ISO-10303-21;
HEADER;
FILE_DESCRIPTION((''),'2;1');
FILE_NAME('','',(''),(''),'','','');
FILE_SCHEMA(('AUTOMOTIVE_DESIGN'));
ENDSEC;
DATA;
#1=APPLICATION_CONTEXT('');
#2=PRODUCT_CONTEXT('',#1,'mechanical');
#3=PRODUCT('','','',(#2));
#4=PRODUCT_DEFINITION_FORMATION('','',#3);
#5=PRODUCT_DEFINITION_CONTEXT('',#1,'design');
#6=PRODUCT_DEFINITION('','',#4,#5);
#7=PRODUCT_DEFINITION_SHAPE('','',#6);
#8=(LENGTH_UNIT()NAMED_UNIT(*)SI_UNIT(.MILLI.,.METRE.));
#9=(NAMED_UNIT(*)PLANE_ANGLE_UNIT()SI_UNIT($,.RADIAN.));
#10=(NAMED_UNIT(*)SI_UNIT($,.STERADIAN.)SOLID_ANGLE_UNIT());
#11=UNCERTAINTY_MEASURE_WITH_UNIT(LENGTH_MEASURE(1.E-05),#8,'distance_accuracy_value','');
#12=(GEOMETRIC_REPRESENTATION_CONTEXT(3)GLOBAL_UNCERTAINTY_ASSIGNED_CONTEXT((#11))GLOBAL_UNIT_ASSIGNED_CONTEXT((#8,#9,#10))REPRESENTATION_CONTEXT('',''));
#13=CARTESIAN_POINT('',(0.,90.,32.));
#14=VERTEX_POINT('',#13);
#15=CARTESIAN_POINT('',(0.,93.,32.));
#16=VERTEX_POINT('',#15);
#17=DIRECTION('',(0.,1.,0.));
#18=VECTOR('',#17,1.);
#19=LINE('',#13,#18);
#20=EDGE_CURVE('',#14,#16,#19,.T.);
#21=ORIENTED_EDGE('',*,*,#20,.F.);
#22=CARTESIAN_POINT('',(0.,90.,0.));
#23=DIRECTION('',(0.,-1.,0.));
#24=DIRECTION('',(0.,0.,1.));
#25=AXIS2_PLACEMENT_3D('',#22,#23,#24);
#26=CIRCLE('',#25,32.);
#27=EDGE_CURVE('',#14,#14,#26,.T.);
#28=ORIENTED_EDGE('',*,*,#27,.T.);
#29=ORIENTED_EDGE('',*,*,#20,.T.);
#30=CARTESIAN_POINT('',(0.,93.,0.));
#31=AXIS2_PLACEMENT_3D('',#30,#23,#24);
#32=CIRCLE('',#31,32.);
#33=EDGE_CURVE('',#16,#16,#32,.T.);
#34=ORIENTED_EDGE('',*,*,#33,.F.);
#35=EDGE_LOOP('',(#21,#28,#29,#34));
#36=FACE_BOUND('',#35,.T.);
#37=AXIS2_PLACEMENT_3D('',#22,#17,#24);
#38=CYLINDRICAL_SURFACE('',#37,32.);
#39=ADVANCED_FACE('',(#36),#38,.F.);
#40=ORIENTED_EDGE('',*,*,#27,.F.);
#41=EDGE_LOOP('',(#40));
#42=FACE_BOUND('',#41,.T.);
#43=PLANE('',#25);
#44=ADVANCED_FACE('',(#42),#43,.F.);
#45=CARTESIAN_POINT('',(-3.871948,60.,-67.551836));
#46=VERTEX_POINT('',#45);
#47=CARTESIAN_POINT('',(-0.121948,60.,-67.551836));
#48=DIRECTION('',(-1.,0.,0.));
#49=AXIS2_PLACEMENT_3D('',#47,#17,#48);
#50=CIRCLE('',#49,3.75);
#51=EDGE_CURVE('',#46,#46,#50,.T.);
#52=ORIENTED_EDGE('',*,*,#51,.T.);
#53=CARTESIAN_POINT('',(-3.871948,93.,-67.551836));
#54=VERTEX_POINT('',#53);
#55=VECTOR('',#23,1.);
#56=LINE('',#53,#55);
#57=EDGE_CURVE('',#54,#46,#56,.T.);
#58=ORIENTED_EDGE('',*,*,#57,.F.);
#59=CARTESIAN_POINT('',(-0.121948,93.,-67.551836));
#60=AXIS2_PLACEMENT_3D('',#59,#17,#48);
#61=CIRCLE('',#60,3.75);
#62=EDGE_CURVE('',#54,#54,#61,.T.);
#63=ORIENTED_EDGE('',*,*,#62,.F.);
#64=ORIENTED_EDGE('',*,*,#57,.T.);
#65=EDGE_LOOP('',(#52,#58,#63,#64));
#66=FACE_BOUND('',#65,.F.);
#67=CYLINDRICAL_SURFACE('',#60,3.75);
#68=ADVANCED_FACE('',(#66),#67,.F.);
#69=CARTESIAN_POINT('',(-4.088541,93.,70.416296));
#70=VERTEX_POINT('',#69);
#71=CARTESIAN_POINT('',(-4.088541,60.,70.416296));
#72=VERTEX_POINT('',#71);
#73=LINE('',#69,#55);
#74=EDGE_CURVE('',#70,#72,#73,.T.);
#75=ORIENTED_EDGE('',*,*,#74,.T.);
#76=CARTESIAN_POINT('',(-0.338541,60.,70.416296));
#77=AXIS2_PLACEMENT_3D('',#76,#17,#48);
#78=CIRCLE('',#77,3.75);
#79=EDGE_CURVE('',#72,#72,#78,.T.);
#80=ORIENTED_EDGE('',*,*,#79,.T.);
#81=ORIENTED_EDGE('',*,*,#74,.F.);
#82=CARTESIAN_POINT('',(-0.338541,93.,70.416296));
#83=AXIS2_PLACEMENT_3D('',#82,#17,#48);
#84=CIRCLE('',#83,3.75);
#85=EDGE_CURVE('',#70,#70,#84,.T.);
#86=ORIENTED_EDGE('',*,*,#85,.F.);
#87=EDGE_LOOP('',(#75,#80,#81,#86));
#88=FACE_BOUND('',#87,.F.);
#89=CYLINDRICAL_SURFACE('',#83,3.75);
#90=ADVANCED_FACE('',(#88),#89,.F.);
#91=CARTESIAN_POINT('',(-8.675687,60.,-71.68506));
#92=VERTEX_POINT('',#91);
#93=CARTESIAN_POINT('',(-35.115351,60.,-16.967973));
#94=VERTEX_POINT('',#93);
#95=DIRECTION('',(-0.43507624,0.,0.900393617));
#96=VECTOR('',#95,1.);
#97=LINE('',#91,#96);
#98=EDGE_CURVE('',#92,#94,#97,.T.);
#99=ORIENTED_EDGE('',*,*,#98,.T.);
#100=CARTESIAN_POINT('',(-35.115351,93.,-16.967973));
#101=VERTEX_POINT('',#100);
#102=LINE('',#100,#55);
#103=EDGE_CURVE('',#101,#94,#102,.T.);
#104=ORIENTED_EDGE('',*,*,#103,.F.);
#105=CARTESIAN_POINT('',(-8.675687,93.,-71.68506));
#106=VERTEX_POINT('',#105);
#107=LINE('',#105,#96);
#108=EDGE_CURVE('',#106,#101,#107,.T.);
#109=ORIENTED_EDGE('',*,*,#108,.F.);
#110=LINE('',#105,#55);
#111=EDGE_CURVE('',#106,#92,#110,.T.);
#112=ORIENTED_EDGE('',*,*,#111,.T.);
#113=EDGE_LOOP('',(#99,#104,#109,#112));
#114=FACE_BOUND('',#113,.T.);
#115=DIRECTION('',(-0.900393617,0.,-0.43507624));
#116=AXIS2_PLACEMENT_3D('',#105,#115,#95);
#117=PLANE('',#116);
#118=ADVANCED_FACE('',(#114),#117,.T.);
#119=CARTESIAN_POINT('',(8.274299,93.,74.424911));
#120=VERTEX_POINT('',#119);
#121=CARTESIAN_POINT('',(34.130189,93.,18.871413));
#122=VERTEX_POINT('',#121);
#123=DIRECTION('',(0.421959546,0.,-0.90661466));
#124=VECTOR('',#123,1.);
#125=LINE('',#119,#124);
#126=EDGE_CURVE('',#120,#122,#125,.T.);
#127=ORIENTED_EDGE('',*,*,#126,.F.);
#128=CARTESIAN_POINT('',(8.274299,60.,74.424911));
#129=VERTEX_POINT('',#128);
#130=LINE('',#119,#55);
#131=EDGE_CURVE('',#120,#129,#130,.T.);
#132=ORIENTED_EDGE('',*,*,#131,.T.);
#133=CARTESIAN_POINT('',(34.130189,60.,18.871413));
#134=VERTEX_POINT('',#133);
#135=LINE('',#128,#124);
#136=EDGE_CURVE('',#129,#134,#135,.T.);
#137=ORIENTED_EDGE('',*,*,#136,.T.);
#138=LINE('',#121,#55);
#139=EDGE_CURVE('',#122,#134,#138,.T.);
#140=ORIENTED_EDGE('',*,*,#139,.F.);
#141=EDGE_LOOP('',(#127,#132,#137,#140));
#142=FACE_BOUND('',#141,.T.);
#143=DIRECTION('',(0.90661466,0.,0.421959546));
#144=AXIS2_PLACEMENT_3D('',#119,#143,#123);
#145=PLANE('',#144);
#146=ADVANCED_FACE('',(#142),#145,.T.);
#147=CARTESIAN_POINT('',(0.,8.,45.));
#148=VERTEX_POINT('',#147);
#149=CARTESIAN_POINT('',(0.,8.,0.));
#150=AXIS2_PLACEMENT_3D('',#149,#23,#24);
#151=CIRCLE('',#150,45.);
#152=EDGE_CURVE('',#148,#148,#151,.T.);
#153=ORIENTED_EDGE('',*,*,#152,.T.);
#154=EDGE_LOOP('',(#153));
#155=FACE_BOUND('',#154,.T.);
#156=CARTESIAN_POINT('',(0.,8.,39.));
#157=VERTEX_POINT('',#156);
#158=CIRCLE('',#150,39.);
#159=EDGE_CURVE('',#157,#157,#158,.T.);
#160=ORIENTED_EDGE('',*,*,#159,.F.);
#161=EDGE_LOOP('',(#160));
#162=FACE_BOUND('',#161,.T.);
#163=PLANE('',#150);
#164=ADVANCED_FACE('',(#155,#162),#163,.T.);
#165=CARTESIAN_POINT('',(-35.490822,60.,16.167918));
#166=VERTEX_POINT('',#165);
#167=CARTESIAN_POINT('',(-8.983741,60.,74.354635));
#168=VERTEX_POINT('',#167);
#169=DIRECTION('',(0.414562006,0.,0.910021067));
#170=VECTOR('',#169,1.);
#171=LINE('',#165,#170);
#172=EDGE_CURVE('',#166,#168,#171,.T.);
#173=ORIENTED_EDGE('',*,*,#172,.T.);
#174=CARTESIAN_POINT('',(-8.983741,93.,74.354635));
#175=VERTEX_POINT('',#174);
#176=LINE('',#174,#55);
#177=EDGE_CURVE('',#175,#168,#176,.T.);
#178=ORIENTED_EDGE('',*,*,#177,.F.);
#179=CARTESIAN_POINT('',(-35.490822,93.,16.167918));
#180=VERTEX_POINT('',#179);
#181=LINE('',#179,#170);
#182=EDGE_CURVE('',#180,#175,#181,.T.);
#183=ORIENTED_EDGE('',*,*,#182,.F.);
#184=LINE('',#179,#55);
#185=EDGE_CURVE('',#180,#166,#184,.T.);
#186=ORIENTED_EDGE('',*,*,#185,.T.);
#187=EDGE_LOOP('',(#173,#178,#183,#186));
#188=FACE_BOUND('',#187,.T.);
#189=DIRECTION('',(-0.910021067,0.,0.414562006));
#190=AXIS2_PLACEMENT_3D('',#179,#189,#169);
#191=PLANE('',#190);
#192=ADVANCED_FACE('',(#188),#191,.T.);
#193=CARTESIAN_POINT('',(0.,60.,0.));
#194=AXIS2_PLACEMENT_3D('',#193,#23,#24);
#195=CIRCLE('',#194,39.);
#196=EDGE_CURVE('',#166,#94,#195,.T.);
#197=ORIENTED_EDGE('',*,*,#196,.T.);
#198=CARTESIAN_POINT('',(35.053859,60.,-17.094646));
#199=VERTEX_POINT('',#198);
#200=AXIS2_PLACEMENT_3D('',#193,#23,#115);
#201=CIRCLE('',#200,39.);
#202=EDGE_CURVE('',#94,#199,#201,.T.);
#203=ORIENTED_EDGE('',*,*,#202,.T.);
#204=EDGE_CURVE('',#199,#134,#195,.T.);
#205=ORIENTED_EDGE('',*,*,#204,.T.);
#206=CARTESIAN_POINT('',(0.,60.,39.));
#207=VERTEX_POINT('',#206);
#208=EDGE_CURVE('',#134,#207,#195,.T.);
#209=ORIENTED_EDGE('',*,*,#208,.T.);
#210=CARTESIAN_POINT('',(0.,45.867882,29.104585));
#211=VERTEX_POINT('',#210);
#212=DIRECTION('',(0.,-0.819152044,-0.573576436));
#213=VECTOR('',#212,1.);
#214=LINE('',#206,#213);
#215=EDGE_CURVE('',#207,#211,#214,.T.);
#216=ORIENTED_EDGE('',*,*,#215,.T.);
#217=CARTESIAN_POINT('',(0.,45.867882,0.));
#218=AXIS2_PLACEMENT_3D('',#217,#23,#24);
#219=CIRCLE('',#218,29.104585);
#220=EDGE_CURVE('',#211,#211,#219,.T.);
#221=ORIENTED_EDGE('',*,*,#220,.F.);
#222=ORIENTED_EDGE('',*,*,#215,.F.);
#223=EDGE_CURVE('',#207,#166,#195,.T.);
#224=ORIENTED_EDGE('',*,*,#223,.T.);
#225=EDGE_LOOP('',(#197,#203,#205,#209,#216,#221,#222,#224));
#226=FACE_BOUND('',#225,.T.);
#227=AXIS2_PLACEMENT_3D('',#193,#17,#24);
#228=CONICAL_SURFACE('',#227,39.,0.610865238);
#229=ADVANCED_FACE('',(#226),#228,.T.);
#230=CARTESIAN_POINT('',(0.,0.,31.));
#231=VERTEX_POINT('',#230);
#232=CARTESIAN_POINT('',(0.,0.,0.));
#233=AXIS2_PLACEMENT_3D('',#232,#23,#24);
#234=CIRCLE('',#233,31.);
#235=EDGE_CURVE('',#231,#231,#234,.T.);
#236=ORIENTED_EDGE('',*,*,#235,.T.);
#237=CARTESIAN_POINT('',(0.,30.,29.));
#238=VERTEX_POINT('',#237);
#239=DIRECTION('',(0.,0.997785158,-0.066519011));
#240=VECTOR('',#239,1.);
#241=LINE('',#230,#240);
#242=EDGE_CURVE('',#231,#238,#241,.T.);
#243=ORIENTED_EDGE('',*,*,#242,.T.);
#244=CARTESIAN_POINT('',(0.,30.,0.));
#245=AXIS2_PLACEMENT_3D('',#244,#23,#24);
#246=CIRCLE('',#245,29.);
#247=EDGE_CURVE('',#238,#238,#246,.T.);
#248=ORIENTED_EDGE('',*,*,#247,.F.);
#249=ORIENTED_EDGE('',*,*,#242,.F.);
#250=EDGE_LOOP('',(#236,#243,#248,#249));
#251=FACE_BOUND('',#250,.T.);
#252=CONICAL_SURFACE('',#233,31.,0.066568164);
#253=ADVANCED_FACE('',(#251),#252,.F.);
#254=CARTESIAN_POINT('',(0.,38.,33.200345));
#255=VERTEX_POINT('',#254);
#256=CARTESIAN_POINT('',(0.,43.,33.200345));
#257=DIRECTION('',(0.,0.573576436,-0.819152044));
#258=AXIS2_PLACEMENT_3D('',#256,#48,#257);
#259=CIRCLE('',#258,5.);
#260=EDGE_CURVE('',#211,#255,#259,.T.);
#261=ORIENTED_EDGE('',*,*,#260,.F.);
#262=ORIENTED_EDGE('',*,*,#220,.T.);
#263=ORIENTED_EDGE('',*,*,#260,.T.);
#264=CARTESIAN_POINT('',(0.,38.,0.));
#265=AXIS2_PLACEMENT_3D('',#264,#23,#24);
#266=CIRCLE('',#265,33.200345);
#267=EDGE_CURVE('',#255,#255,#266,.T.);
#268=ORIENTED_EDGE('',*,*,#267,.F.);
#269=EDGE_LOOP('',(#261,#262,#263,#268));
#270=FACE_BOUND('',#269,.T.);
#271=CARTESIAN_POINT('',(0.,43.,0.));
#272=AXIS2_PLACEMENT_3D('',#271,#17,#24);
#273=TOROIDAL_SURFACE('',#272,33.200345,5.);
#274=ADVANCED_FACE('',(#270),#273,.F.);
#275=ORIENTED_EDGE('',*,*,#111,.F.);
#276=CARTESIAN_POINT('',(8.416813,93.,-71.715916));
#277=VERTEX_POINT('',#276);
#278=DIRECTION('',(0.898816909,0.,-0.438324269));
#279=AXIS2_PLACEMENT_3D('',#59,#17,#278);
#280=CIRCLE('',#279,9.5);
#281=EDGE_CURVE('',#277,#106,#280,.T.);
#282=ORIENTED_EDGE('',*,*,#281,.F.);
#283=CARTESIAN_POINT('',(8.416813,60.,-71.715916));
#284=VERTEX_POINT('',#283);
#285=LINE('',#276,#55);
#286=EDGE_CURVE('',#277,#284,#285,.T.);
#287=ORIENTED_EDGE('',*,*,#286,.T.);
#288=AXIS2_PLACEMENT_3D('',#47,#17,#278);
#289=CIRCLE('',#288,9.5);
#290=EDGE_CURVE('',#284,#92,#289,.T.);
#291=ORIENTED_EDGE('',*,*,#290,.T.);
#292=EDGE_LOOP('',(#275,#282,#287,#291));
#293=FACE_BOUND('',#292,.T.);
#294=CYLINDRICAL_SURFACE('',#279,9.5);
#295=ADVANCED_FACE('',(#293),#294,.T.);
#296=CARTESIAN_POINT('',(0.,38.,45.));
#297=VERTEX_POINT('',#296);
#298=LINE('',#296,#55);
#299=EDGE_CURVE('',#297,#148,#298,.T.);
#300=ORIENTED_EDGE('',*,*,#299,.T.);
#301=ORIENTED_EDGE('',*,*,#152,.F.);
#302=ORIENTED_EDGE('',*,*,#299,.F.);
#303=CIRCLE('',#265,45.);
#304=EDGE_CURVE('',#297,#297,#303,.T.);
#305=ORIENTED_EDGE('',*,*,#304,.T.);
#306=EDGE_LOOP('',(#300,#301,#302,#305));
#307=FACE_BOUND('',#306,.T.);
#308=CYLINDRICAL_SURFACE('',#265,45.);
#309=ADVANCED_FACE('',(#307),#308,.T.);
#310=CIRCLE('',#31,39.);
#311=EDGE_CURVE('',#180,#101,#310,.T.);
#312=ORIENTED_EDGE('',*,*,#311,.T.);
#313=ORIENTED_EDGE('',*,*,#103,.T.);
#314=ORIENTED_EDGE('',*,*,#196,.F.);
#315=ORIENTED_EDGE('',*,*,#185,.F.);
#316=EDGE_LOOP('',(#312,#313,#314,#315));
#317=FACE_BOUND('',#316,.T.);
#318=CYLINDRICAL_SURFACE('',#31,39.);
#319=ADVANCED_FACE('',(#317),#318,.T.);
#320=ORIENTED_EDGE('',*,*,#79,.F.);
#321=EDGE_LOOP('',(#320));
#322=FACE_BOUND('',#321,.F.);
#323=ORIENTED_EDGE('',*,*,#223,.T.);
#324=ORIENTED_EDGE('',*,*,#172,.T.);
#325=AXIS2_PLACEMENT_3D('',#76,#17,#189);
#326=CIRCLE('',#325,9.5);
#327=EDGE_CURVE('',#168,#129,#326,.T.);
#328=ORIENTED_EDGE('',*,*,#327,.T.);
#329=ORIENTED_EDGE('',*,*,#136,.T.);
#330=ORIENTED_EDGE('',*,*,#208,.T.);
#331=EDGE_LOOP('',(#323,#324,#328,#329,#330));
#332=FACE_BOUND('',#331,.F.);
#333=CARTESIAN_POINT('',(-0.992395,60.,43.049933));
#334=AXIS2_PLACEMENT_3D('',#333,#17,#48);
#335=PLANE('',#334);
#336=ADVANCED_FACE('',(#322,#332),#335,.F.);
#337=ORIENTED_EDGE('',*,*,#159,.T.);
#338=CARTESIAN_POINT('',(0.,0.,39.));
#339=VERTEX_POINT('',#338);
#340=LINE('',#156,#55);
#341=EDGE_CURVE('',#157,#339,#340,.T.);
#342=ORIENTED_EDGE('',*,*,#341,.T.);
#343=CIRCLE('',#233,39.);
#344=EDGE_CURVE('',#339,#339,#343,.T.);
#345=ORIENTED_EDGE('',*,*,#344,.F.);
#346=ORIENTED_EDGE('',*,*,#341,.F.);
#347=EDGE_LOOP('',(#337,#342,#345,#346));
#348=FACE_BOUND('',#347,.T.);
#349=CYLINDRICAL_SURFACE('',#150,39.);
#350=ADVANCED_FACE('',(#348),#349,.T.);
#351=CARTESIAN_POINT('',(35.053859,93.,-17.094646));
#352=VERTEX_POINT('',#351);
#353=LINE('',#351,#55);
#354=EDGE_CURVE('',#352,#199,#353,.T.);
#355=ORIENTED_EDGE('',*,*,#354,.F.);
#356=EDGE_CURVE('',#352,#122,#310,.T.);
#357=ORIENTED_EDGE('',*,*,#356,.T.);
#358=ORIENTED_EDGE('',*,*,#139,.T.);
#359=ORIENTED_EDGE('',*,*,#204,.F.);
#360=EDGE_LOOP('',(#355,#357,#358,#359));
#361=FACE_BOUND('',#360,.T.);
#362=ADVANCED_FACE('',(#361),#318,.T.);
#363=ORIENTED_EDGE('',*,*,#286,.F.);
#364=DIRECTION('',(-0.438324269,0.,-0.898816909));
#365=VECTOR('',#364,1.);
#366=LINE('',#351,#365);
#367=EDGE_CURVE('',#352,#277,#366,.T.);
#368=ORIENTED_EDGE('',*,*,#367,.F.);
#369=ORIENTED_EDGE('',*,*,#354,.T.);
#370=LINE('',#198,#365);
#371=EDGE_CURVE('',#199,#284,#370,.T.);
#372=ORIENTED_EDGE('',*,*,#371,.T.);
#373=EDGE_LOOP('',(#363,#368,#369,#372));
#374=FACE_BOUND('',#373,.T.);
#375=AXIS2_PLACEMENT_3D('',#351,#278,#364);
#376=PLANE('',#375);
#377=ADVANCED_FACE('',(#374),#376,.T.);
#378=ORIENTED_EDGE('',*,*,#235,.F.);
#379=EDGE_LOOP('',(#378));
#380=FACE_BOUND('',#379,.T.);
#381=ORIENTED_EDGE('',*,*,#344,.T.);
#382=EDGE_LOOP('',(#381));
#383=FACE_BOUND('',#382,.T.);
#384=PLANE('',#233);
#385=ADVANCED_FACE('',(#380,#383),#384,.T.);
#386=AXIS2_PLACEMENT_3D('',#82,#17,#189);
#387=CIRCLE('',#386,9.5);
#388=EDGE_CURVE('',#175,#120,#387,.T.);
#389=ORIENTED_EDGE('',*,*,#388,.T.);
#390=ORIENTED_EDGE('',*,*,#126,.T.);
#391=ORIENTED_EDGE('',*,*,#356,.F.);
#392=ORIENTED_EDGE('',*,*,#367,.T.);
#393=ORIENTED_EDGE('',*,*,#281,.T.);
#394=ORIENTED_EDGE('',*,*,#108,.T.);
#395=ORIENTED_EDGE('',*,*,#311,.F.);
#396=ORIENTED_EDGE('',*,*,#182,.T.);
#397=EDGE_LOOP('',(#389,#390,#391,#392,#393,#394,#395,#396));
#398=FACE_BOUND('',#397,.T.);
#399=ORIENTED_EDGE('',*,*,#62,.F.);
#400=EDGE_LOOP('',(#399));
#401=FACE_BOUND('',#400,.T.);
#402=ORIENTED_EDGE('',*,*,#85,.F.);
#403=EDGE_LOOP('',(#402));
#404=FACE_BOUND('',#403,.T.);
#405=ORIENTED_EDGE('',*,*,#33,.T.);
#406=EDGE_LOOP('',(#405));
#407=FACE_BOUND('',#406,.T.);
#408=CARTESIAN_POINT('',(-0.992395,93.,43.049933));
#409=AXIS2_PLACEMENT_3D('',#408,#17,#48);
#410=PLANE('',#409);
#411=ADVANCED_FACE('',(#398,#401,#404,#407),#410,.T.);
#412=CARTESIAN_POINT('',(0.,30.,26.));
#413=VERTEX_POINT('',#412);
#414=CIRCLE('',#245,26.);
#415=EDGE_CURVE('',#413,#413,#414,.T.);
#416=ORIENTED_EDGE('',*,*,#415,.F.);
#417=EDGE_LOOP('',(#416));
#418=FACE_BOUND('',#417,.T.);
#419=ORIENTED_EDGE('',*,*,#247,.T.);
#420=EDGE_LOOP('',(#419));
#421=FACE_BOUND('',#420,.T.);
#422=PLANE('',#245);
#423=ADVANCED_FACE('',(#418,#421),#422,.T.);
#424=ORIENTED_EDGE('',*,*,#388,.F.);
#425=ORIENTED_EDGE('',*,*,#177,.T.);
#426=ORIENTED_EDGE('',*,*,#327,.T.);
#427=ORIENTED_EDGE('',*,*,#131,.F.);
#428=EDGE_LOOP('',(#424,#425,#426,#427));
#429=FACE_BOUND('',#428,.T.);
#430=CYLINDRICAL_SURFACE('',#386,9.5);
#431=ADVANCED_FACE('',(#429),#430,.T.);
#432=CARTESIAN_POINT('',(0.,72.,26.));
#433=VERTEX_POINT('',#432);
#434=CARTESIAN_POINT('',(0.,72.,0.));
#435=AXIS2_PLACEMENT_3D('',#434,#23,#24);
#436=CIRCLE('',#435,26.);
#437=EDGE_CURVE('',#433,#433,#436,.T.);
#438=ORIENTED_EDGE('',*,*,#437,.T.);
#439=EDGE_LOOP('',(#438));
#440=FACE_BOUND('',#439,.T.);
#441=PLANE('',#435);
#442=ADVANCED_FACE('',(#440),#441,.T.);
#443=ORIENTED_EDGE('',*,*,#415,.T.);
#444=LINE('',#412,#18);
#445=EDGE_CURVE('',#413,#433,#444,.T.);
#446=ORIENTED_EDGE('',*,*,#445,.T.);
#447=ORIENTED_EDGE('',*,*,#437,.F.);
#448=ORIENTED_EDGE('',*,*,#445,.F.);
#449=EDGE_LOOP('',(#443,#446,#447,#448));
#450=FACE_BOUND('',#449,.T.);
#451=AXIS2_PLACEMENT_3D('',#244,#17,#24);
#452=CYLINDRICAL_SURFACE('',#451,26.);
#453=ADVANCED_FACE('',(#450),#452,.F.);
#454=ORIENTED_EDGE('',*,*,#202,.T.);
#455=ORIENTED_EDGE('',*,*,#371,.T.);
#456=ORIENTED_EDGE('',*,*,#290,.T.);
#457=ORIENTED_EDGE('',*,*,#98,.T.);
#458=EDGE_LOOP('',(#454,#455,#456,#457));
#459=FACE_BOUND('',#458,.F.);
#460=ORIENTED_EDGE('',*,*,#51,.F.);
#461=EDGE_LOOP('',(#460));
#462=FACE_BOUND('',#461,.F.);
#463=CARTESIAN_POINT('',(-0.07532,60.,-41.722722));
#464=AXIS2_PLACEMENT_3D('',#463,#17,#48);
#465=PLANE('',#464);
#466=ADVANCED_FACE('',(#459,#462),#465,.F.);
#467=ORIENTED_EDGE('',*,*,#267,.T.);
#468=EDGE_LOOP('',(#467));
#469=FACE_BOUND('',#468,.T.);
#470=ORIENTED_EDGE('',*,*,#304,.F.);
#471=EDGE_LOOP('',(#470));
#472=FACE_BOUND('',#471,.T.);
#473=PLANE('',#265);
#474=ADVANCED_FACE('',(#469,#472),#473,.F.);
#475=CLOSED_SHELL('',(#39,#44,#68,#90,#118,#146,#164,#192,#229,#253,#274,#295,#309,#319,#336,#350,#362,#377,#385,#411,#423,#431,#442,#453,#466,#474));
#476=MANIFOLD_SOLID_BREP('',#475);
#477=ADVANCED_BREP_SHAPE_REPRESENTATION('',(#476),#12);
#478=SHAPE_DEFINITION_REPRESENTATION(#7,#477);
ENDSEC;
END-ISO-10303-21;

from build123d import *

# Parameters (mm, degrees)
F2_R     = 3.75
F3_DEPTH = 33


with BuildPart() as f1:
    # F0 (on Right) → F1 (revolve)
    with BuildSketch(Plane.YZ):
        with BuildLine():
            Line((38, 45), (8, 45))
            Line((8, 45), (8, 39))
            Line((8, 39), (0, 39))
            Line((0, 39), (0, 31))
            Line((0, 31), (30, 29))
            Line((30, 29), (30, 26))
            Line((30, 26), (72, 26))
            Line((72, 26), (72, 0))
            Line((72, 0), (90, 0))
            Line((90, 0), (90, 32))
            Line((90, 32), (93, 32))
            Line((93, 32), (93, 39))
            Line((93, 39), (60, 39))
            Line((60, 39), (45.8678821818, 29.1045845728))
            ThreePointArc((45.8678821818, 29.1045845728), (40.6912569338, 28.7652906284), (38, 33.2003447942))
            Line((38, 33.2003447942), (38, 45))
        make_face()
    revolve(axis=Axis((0, 81, 0), (0, -1, 0)))

    # F2 (on face) → F3 (join)
    with BuildSketch(Plane(origin=(0, 93, 0), x_dir=(-1, 0, 0), z_dir=(0, 1, 0))):
        with BuildLine():
            Line((-8.2742985586, 74.4249113641), (-34.130188626, 18.8714128871))
            ThreePointArc((-34.130188626, 18.8714128871), (1.513291562, 38.9706293078), (35.4908216229, 16.1679182498))
            Line((35.4908216229, 16.1679182498), (8.9837408504, 74.3546347403))
            ThreePointArc((8.9837408504, 74.3546347403), (0.3772254297, 79.9162169156), (-8.2742985586, 74.4249113641))
        make_face()
        with Locations((0.3385407115, 70.4162956794)):
            Circle(F2_R, mode=Mode.SUBTRACT)
        with BuildLine():
            Line((-35.0538594373, -17.094646488), (-8.4168125088, -71.7159163408))
            ThreePointArc((-8.4168125088, -71.7159163408), (0.1390979946, -77.0518203061), (8.6756874862, -71.6850600617))
            Line((8.6756874862, -71.6850600617), (35.1153510684, -16.9679733422))
            ThreePointArc((35.1153510684, -16.9679733422), (0.0704047345, -38.9999364509), (-35.0538594373, -17.094646488))
        make_face()
        with Locations((0.1219481234, -67.551835786)):
            Circle(F2_R, mode=Mode.SUBTRACT)
    extrude(amount=-F3_DEPTH)


solid = f1.part
